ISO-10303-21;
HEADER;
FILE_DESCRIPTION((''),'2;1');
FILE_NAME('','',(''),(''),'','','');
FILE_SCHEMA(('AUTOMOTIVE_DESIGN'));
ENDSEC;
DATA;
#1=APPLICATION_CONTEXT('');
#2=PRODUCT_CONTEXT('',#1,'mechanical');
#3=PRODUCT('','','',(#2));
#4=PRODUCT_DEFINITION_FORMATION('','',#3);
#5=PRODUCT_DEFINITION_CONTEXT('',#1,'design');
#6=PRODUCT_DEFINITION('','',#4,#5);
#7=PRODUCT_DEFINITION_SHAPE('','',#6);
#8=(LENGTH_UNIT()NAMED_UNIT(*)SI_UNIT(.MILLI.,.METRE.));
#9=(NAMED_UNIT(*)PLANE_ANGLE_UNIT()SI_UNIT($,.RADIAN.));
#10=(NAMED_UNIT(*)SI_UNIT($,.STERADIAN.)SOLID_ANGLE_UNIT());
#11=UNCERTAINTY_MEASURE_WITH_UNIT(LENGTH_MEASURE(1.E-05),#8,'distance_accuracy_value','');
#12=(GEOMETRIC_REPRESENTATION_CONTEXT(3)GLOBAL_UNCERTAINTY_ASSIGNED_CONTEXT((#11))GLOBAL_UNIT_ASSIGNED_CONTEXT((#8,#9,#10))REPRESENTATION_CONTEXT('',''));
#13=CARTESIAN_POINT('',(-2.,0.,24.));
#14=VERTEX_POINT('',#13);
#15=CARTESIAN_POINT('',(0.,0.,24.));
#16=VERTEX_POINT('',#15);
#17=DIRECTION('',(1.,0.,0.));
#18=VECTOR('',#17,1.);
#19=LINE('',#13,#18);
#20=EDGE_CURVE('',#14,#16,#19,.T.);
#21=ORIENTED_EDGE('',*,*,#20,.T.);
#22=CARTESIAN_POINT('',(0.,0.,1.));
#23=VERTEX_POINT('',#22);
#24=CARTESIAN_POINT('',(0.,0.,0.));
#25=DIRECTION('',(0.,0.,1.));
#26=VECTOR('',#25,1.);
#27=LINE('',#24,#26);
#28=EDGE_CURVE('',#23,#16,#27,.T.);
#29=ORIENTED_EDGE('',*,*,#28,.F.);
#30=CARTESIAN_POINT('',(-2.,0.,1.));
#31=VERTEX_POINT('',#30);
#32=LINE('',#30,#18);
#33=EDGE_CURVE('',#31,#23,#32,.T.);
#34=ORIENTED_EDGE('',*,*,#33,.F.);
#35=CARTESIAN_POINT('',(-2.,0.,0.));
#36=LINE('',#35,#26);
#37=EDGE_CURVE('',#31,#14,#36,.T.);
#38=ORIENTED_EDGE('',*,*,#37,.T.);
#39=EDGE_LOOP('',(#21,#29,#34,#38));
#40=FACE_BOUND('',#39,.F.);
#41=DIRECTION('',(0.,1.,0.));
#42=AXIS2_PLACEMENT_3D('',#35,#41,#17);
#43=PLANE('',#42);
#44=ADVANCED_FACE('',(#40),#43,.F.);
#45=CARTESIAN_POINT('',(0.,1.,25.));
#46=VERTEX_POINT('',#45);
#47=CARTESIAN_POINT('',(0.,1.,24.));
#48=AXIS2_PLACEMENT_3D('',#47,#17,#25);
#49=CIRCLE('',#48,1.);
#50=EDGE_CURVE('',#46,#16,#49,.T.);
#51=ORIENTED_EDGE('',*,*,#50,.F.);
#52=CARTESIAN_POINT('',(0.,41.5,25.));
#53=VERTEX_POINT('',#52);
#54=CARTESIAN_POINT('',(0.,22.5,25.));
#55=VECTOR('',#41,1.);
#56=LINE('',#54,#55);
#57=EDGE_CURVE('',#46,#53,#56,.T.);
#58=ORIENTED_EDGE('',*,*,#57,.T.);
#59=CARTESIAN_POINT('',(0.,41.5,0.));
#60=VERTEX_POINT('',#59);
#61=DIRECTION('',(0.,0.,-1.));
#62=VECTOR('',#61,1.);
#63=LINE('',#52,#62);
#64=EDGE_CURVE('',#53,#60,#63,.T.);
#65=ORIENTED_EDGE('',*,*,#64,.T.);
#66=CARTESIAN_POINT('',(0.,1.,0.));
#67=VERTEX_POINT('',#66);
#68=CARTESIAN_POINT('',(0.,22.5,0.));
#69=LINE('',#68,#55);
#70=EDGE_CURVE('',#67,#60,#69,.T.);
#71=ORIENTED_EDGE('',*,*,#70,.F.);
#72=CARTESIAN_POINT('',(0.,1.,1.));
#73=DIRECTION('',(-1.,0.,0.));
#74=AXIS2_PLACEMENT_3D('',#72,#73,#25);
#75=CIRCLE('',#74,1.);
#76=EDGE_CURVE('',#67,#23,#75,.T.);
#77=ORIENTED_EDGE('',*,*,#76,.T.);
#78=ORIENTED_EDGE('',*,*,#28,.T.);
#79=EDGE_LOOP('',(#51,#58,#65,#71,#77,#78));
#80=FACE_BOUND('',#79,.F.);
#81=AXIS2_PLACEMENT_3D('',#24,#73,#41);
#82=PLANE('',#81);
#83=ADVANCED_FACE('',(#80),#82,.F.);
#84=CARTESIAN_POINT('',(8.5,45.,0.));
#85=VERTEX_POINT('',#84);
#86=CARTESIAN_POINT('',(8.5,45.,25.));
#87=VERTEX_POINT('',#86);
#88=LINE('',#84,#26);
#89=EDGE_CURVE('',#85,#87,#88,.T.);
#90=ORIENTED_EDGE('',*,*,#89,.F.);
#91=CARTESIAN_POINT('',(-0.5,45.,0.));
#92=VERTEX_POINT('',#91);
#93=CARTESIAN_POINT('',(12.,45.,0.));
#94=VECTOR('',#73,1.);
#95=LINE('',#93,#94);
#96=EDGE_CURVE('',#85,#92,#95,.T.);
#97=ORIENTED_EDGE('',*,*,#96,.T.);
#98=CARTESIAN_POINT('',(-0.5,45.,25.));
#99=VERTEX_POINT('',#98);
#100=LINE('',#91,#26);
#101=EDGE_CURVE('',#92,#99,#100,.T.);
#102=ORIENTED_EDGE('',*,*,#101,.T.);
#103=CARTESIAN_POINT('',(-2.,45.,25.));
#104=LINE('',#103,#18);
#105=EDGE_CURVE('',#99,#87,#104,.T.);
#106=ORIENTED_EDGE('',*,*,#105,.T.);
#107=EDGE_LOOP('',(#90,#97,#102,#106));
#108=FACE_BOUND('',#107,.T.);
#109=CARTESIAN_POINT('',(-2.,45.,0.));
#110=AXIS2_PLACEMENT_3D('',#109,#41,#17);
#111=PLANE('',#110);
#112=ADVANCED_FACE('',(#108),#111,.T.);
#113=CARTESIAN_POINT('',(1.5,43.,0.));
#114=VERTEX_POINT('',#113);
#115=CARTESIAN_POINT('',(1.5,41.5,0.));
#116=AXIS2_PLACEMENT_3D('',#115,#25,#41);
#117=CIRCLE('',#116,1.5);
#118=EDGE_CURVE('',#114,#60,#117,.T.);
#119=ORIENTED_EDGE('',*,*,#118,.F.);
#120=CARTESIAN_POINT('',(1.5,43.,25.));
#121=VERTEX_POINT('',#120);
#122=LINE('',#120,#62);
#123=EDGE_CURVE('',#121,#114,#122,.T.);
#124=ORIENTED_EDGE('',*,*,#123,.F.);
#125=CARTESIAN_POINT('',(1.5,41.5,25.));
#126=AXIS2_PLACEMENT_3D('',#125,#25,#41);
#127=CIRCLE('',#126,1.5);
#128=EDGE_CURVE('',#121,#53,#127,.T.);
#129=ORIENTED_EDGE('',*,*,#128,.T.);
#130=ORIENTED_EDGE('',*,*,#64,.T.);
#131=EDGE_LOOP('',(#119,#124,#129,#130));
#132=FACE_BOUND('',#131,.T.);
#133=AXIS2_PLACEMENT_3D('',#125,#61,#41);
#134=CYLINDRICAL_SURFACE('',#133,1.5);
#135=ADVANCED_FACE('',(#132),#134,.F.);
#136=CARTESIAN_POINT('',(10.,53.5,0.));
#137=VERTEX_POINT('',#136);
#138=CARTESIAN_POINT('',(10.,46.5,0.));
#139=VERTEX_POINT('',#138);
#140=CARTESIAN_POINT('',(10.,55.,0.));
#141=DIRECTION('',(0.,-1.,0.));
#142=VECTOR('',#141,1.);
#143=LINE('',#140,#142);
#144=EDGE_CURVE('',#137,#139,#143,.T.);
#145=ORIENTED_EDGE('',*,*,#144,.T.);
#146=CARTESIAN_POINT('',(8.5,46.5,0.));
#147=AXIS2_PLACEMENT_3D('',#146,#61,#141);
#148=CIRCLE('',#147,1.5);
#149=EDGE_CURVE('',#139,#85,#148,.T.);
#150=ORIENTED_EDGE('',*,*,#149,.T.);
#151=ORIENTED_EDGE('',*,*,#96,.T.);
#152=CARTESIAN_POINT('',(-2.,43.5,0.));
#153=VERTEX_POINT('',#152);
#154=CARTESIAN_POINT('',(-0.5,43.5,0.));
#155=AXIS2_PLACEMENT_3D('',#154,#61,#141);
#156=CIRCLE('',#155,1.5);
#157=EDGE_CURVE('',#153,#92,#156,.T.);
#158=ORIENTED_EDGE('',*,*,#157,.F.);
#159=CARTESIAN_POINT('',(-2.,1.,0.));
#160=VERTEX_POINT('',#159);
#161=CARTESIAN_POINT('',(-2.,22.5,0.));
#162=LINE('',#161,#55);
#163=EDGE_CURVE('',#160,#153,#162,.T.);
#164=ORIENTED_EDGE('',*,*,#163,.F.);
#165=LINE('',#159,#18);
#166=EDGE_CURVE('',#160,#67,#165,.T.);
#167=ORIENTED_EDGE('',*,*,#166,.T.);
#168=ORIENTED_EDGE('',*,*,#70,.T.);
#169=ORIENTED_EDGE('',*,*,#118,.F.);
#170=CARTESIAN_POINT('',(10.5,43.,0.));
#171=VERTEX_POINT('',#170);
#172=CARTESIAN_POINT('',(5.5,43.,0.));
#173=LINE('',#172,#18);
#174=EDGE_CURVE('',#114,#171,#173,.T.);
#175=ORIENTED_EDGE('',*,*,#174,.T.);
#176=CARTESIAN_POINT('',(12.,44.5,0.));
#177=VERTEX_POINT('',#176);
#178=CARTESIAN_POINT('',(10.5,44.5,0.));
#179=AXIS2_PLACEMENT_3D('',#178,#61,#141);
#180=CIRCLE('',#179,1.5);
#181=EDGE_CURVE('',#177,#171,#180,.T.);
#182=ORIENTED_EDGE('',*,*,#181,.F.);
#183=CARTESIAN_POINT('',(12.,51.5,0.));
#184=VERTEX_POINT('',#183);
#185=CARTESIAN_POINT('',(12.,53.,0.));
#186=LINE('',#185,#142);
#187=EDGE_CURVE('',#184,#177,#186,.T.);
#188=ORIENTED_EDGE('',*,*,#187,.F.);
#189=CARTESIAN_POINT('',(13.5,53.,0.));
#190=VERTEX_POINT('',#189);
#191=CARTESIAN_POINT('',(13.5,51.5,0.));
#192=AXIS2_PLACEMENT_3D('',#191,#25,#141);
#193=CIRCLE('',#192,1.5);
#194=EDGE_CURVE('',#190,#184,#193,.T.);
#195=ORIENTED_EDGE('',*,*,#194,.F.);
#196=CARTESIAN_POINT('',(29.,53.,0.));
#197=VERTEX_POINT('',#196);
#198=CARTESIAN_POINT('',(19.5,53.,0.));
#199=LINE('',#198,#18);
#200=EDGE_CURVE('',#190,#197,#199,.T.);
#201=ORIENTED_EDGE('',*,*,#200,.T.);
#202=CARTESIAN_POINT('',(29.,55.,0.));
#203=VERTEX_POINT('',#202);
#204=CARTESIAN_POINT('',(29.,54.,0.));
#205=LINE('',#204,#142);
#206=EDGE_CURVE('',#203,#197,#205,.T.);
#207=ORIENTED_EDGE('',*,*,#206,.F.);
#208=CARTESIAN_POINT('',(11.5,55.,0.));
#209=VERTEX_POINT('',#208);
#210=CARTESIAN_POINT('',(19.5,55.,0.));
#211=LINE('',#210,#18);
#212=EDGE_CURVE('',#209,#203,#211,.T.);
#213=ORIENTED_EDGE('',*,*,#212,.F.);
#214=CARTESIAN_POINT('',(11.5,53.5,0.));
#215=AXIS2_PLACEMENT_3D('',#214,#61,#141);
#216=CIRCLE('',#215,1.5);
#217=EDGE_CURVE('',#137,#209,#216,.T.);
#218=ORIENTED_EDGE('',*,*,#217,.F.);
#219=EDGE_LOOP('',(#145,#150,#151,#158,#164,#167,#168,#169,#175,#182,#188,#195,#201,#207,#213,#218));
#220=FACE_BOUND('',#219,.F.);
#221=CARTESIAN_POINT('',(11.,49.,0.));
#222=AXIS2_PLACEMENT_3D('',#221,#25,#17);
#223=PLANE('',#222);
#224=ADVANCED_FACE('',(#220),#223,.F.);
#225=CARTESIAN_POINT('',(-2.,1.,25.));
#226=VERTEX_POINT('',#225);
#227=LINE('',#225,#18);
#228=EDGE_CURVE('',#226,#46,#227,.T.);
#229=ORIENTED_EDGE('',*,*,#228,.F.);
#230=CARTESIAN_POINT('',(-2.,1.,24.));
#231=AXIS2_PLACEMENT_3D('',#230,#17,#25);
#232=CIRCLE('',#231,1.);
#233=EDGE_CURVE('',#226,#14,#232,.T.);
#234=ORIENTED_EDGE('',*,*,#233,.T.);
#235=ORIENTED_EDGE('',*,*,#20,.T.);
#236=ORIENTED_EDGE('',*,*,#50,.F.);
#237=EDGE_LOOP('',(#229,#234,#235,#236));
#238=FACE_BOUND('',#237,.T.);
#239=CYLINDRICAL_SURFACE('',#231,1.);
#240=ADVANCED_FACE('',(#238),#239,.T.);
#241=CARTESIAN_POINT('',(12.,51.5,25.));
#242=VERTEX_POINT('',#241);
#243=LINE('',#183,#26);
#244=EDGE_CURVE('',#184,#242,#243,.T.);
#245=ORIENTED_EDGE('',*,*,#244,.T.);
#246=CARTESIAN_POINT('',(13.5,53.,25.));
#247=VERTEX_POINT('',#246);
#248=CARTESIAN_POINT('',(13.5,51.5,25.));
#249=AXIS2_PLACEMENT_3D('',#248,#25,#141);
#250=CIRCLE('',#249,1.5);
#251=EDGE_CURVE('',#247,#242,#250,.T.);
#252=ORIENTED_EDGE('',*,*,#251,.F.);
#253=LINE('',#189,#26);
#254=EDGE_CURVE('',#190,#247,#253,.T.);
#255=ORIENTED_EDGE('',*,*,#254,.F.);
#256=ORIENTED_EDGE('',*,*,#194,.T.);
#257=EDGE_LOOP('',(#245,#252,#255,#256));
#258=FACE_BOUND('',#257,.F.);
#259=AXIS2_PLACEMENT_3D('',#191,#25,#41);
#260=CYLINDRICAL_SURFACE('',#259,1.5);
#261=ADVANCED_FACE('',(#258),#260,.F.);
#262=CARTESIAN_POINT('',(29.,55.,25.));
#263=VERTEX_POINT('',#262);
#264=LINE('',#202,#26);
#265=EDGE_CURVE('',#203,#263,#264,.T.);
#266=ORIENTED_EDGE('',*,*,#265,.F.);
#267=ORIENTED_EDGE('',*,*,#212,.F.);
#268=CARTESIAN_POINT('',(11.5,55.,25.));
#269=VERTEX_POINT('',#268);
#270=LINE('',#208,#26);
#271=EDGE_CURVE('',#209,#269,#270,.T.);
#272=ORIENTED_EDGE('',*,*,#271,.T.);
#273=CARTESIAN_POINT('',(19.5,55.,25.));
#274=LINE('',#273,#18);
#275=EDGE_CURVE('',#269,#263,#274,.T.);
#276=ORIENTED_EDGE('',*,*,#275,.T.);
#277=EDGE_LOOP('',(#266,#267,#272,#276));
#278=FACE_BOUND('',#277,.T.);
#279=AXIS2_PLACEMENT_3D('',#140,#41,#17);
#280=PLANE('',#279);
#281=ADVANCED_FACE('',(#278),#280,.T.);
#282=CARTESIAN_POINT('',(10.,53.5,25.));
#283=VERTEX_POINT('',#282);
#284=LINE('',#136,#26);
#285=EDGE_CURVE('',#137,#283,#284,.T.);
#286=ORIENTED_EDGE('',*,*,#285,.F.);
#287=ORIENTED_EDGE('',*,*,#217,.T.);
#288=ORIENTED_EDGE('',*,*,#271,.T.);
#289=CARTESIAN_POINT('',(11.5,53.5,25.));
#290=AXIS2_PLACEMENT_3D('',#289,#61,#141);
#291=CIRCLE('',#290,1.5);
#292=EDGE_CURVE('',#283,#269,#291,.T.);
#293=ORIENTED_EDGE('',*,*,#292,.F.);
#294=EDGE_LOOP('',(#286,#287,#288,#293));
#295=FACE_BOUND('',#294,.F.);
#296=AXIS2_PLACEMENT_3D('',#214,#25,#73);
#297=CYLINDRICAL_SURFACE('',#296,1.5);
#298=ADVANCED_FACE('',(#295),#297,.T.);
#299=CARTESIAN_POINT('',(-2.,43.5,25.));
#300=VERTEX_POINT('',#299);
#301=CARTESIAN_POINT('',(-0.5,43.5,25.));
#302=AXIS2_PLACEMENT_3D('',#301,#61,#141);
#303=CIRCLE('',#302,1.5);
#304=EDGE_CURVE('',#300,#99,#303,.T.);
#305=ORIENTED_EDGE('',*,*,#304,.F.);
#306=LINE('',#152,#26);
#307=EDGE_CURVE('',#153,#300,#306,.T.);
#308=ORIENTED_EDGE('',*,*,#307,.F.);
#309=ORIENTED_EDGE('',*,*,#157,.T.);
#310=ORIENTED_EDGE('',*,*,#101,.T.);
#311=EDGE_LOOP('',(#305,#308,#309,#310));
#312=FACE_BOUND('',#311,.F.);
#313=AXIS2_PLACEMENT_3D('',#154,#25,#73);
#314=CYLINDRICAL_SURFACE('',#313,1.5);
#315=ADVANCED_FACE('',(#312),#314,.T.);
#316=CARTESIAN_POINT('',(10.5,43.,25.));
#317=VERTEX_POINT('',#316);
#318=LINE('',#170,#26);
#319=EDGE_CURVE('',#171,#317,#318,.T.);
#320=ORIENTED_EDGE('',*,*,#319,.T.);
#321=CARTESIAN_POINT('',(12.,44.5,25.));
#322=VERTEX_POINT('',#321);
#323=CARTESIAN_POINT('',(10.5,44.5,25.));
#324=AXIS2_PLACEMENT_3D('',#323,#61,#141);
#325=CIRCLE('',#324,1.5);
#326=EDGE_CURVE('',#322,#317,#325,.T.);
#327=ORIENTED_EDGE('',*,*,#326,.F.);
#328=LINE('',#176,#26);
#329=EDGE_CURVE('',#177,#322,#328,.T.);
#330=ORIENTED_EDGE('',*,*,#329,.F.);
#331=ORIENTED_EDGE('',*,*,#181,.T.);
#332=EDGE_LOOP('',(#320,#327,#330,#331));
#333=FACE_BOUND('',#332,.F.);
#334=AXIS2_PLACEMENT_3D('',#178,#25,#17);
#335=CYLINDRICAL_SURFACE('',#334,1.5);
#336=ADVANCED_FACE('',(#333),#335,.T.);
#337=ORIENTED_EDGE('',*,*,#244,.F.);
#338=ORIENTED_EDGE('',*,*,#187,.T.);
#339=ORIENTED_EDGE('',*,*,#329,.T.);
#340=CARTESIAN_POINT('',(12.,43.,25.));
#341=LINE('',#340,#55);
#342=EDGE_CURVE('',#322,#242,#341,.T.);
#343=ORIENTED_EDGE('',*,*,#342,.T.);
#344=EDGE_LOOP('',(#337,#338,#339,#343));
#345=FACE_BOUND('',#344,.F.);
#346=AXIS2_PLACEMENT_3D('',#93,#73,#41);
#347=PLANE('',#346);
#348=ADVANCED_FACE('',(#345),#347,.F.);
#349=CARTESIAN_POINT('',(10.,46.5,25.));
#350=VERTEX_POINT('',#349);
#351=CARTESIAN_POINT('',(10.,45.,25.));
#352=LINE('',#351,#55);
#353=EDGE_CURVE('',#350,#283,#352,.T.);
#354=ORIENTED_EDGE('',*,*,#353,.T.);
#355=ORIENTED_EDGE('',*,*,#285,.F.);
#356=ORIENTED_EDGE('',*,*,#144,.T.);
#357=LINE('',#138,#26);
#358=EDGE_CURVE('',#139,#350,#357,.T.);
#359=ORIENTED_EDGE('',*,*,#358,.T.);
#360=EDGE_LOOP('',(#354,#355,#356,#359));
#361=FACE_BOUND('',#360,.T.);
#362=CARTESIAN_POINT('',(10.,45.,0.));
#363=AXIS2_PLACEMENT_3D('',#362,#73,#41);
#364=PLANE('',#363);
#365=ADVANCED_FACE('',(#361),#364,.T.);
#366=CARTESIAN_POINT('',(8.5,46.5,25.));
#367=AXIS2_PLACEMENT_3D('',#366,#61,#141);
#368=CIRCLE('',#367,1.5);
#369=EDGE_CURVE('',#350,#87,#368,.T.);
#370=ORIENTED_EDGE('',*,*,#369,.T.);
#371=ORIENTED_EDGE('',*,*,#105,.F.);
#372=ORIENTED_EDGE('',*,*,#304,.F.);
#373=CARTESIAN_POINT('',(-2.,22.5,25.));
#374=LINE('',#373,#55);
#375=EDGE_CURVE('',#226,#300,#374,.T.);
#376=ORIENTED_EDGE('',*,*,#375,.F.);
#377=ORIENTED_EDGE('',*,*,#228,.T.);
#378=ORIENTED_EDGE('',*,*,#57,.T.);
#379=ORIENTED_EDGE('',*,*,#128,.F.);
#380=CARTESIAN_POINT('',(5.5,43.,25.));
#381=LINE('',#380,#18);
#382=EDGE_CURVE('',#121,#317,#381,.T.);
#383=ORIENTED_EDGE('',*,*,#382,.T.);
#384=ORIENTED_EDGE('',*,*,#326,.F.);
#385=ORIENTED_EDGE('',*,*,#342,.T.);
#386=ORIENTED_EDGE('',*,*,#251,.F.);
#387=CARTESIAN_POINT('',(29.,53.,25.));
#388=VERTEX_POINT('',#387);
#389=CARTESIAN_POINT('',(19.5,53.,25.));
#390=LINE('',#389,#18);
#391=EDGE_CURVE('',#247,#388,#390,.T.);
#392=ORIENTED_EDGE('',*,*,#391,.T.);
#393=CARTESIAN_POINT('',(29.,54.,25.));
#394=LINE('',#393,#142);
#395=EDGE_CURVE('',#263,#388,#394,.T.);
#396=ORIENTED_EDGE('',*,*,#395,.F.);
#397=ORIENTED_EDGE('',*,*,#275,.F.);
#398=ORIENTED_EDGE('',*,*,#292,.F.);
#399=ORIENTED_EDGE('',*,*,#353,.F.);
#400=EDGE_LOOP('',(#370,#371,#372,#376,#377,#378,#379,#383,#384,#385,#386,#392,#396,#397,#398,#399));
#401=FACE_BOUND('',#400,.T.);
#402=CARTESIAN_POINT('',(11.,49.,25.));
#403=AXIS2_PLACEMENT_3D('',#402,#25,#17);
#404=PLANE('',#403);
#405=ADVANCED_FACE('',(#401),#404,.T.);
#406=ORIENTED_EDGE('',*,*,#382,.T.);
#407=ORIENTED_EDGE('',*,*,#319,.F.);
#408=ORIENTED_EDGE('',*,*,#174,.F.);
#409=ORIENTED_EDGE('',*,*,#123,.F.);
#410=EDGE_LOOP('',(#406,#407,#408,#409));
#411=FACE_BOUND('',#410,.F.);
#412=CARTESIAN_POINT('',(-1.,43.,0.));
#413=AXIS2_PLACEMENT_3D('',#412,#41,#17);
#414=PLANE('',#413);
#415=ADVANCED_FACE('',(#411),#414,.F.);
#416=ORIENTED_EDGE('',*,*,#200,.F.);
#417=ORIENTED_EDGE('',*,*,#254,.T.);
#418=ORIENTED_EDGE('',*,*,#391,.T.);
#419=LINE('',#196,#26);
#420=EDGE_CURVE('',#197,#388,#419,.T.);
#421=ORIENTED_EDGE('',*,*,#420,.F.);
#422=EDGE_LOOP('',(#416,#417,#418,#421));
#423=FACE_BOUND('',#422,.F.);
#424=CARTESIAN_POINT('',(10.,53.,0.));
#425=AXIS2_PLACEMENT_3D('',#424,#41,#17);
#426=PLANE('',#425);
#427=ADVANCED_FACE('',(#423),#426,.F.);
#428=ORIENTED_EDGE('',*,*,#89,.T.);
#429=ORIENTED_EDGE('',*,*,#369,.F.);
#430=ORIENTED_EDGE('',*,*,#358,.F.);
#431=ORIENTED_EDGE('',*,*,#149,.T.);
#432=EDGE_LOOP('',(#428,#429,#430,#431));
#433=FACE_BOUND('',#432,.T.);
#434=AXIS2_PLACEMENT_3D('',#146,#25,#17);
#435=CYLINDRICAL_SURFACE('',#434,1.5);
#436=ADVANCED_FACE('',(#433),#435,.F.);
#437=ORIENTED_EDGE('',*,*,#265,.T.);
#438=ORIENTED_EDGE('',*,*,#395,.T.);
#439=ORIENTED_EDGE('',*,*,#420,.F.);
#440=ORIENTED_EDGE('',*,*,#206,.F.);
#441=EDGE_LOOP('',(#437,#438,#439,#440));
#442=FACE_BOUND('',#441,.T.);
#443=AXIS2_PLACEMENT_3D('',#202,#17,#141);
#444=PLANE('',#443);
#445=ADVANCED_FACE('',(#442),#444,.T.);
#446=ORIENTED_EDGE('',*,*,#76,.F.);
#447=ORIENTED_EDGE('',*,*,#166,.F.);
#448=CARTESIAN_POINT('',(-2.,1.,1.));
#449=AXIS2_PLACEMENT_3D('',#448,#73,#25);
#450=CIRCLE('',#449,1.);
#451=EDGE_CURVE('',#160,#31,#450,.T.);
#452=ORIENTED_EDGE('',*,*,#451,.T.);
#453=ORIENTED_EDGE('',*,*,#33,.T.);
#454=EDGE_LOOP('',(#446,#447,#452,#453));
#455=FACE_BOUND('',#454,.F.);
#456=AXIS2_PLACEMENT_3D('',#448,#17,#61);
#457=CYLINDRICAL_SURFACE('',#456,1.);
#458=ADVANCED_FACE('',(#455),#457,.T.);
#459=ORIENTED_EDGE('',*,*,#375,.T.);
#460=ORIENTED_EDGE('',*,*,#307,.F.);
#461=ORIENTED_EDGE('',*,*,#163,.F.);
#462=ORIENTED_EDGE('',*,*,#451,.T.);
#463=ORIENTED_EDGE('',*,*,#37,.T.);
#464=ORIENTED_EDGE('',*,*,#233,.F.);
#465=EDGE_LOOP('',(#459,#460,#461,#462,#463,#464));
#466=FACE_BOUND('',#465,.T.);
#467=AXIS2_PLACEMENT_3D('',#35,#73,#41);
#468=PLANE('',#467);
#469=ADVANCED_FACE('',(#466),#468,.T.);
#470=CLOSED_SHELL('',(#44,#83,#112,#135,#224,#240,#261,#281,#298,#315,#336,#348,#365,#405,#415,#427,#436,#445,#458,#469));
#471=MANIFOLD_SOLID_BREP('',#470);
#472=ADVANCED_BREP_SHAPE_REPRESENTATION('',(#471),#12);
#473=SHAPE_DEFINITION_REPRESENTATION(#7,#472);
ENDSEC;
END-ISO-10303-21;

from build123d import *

# Parameters (mm, degrees)
BOX003_W               = 2
BOX003_H               = 19
BOX003_DEPTH           = 25
BOX003_PLACEMENT_ANGLE = -90
BOX002_W               = 2
BOX002_H               = 8
BOX002_DEPTH           = 25
BOX001_W               = 2
BOX001_H               = 13
BOX001_DEPTH           = 25
BOX001_PLACEMENT_ANGLE = -90
BOX_W                  = 2
BOX_H                  = 45
BOX_DEPTH              = 25
FILLET006_R            = 1.5
FILLET007_R            = 1


with BuildPart() as box003:
    # Box003 → Box003 (new body)
    with BuildSketch(Plane.XY):
        with Locations((1, 9.5)):
            Rectangle(BOX003_W, BOX003_H)
    extrude(amount=BOX003_DEPTH)


with BuildPart() as box003_1:
    # Box003 placement: moved
    add(box003.part.moved(Location((10, 55, 0))).rotate(Axis((10, 55, 0), (0, 0, 1)), BOX003_PLACEMENT_ANGLE))


with BuildPart() as box002:
    # Box002 → Box002 (new body)
    with BuildSketch(Plane(origin=(10, 45, 0), x_dir=(1, 0, 0), z_dir=(0, 0, 1))):
        with Locations((1, 4)):
            Rectangle(BOX002_W, BOX002_H)
    extrude(amount=BOX002_DEPTH)


with BuildPart() as box001:
    # Box001 → Box001 (new body)
    with BuildSketch(Plane.XY):
        with Locations((1, 6.5)):
            Rectangle(BOX001_W, BOX001_H)
    extrude(amount=BOX001_DEPTH)


with BuildPart() as box001_1:
    # Box001 placement: moved
    add(box001.part.moved(Location((-1, 45, 0))).rotate(Axis((-1, 45, 0), (0, 0, 1)), BOX001_PLACEMENT_ANGLE))


with BuildPart() as ejex_guia_metal:
    # Box → Box (new body)
    with BuildSketch(Plane(origin=(-2, 0, 0), x_dir=(1, 0, 0), z_dir=(0, 0, 1))):
        with Locations((1, 22.5)):
            Rectangle(BOX_W, BOX_H)
    extrude(amount=BOX_DEPTH)

    # Fusion: union Box001
    add(box001_1.part)

    # Fusion001: union Box003, Box002
    add(box003_1.part)
    add(box002.part)

    # Fillet006
    fillet006_edges = [ejex_guia_metal.edges().sort_by_distance(p)[0] for p in [
        (-2, 45, 12.5),
        (10, 45, 12.5),
        (0, 43, 12.5),
        (12, 43, 12.5),
        (10, 55, 12.5),
        (12, 53, 12.5),
    ]]
    fillet(fillet006_edges, radius=FILLET006_R)

    # Fillet007
    fillet007_edges = [ejex_guia_metal.edges().sort_by_distance(p)[0] for p in [
        (-1, 0, 25),
        (-1, 0, 0),
    ]]
    fillet(fillet007_edges, radius=FILLET007_R)


solid = ejex_guia_metal.part
